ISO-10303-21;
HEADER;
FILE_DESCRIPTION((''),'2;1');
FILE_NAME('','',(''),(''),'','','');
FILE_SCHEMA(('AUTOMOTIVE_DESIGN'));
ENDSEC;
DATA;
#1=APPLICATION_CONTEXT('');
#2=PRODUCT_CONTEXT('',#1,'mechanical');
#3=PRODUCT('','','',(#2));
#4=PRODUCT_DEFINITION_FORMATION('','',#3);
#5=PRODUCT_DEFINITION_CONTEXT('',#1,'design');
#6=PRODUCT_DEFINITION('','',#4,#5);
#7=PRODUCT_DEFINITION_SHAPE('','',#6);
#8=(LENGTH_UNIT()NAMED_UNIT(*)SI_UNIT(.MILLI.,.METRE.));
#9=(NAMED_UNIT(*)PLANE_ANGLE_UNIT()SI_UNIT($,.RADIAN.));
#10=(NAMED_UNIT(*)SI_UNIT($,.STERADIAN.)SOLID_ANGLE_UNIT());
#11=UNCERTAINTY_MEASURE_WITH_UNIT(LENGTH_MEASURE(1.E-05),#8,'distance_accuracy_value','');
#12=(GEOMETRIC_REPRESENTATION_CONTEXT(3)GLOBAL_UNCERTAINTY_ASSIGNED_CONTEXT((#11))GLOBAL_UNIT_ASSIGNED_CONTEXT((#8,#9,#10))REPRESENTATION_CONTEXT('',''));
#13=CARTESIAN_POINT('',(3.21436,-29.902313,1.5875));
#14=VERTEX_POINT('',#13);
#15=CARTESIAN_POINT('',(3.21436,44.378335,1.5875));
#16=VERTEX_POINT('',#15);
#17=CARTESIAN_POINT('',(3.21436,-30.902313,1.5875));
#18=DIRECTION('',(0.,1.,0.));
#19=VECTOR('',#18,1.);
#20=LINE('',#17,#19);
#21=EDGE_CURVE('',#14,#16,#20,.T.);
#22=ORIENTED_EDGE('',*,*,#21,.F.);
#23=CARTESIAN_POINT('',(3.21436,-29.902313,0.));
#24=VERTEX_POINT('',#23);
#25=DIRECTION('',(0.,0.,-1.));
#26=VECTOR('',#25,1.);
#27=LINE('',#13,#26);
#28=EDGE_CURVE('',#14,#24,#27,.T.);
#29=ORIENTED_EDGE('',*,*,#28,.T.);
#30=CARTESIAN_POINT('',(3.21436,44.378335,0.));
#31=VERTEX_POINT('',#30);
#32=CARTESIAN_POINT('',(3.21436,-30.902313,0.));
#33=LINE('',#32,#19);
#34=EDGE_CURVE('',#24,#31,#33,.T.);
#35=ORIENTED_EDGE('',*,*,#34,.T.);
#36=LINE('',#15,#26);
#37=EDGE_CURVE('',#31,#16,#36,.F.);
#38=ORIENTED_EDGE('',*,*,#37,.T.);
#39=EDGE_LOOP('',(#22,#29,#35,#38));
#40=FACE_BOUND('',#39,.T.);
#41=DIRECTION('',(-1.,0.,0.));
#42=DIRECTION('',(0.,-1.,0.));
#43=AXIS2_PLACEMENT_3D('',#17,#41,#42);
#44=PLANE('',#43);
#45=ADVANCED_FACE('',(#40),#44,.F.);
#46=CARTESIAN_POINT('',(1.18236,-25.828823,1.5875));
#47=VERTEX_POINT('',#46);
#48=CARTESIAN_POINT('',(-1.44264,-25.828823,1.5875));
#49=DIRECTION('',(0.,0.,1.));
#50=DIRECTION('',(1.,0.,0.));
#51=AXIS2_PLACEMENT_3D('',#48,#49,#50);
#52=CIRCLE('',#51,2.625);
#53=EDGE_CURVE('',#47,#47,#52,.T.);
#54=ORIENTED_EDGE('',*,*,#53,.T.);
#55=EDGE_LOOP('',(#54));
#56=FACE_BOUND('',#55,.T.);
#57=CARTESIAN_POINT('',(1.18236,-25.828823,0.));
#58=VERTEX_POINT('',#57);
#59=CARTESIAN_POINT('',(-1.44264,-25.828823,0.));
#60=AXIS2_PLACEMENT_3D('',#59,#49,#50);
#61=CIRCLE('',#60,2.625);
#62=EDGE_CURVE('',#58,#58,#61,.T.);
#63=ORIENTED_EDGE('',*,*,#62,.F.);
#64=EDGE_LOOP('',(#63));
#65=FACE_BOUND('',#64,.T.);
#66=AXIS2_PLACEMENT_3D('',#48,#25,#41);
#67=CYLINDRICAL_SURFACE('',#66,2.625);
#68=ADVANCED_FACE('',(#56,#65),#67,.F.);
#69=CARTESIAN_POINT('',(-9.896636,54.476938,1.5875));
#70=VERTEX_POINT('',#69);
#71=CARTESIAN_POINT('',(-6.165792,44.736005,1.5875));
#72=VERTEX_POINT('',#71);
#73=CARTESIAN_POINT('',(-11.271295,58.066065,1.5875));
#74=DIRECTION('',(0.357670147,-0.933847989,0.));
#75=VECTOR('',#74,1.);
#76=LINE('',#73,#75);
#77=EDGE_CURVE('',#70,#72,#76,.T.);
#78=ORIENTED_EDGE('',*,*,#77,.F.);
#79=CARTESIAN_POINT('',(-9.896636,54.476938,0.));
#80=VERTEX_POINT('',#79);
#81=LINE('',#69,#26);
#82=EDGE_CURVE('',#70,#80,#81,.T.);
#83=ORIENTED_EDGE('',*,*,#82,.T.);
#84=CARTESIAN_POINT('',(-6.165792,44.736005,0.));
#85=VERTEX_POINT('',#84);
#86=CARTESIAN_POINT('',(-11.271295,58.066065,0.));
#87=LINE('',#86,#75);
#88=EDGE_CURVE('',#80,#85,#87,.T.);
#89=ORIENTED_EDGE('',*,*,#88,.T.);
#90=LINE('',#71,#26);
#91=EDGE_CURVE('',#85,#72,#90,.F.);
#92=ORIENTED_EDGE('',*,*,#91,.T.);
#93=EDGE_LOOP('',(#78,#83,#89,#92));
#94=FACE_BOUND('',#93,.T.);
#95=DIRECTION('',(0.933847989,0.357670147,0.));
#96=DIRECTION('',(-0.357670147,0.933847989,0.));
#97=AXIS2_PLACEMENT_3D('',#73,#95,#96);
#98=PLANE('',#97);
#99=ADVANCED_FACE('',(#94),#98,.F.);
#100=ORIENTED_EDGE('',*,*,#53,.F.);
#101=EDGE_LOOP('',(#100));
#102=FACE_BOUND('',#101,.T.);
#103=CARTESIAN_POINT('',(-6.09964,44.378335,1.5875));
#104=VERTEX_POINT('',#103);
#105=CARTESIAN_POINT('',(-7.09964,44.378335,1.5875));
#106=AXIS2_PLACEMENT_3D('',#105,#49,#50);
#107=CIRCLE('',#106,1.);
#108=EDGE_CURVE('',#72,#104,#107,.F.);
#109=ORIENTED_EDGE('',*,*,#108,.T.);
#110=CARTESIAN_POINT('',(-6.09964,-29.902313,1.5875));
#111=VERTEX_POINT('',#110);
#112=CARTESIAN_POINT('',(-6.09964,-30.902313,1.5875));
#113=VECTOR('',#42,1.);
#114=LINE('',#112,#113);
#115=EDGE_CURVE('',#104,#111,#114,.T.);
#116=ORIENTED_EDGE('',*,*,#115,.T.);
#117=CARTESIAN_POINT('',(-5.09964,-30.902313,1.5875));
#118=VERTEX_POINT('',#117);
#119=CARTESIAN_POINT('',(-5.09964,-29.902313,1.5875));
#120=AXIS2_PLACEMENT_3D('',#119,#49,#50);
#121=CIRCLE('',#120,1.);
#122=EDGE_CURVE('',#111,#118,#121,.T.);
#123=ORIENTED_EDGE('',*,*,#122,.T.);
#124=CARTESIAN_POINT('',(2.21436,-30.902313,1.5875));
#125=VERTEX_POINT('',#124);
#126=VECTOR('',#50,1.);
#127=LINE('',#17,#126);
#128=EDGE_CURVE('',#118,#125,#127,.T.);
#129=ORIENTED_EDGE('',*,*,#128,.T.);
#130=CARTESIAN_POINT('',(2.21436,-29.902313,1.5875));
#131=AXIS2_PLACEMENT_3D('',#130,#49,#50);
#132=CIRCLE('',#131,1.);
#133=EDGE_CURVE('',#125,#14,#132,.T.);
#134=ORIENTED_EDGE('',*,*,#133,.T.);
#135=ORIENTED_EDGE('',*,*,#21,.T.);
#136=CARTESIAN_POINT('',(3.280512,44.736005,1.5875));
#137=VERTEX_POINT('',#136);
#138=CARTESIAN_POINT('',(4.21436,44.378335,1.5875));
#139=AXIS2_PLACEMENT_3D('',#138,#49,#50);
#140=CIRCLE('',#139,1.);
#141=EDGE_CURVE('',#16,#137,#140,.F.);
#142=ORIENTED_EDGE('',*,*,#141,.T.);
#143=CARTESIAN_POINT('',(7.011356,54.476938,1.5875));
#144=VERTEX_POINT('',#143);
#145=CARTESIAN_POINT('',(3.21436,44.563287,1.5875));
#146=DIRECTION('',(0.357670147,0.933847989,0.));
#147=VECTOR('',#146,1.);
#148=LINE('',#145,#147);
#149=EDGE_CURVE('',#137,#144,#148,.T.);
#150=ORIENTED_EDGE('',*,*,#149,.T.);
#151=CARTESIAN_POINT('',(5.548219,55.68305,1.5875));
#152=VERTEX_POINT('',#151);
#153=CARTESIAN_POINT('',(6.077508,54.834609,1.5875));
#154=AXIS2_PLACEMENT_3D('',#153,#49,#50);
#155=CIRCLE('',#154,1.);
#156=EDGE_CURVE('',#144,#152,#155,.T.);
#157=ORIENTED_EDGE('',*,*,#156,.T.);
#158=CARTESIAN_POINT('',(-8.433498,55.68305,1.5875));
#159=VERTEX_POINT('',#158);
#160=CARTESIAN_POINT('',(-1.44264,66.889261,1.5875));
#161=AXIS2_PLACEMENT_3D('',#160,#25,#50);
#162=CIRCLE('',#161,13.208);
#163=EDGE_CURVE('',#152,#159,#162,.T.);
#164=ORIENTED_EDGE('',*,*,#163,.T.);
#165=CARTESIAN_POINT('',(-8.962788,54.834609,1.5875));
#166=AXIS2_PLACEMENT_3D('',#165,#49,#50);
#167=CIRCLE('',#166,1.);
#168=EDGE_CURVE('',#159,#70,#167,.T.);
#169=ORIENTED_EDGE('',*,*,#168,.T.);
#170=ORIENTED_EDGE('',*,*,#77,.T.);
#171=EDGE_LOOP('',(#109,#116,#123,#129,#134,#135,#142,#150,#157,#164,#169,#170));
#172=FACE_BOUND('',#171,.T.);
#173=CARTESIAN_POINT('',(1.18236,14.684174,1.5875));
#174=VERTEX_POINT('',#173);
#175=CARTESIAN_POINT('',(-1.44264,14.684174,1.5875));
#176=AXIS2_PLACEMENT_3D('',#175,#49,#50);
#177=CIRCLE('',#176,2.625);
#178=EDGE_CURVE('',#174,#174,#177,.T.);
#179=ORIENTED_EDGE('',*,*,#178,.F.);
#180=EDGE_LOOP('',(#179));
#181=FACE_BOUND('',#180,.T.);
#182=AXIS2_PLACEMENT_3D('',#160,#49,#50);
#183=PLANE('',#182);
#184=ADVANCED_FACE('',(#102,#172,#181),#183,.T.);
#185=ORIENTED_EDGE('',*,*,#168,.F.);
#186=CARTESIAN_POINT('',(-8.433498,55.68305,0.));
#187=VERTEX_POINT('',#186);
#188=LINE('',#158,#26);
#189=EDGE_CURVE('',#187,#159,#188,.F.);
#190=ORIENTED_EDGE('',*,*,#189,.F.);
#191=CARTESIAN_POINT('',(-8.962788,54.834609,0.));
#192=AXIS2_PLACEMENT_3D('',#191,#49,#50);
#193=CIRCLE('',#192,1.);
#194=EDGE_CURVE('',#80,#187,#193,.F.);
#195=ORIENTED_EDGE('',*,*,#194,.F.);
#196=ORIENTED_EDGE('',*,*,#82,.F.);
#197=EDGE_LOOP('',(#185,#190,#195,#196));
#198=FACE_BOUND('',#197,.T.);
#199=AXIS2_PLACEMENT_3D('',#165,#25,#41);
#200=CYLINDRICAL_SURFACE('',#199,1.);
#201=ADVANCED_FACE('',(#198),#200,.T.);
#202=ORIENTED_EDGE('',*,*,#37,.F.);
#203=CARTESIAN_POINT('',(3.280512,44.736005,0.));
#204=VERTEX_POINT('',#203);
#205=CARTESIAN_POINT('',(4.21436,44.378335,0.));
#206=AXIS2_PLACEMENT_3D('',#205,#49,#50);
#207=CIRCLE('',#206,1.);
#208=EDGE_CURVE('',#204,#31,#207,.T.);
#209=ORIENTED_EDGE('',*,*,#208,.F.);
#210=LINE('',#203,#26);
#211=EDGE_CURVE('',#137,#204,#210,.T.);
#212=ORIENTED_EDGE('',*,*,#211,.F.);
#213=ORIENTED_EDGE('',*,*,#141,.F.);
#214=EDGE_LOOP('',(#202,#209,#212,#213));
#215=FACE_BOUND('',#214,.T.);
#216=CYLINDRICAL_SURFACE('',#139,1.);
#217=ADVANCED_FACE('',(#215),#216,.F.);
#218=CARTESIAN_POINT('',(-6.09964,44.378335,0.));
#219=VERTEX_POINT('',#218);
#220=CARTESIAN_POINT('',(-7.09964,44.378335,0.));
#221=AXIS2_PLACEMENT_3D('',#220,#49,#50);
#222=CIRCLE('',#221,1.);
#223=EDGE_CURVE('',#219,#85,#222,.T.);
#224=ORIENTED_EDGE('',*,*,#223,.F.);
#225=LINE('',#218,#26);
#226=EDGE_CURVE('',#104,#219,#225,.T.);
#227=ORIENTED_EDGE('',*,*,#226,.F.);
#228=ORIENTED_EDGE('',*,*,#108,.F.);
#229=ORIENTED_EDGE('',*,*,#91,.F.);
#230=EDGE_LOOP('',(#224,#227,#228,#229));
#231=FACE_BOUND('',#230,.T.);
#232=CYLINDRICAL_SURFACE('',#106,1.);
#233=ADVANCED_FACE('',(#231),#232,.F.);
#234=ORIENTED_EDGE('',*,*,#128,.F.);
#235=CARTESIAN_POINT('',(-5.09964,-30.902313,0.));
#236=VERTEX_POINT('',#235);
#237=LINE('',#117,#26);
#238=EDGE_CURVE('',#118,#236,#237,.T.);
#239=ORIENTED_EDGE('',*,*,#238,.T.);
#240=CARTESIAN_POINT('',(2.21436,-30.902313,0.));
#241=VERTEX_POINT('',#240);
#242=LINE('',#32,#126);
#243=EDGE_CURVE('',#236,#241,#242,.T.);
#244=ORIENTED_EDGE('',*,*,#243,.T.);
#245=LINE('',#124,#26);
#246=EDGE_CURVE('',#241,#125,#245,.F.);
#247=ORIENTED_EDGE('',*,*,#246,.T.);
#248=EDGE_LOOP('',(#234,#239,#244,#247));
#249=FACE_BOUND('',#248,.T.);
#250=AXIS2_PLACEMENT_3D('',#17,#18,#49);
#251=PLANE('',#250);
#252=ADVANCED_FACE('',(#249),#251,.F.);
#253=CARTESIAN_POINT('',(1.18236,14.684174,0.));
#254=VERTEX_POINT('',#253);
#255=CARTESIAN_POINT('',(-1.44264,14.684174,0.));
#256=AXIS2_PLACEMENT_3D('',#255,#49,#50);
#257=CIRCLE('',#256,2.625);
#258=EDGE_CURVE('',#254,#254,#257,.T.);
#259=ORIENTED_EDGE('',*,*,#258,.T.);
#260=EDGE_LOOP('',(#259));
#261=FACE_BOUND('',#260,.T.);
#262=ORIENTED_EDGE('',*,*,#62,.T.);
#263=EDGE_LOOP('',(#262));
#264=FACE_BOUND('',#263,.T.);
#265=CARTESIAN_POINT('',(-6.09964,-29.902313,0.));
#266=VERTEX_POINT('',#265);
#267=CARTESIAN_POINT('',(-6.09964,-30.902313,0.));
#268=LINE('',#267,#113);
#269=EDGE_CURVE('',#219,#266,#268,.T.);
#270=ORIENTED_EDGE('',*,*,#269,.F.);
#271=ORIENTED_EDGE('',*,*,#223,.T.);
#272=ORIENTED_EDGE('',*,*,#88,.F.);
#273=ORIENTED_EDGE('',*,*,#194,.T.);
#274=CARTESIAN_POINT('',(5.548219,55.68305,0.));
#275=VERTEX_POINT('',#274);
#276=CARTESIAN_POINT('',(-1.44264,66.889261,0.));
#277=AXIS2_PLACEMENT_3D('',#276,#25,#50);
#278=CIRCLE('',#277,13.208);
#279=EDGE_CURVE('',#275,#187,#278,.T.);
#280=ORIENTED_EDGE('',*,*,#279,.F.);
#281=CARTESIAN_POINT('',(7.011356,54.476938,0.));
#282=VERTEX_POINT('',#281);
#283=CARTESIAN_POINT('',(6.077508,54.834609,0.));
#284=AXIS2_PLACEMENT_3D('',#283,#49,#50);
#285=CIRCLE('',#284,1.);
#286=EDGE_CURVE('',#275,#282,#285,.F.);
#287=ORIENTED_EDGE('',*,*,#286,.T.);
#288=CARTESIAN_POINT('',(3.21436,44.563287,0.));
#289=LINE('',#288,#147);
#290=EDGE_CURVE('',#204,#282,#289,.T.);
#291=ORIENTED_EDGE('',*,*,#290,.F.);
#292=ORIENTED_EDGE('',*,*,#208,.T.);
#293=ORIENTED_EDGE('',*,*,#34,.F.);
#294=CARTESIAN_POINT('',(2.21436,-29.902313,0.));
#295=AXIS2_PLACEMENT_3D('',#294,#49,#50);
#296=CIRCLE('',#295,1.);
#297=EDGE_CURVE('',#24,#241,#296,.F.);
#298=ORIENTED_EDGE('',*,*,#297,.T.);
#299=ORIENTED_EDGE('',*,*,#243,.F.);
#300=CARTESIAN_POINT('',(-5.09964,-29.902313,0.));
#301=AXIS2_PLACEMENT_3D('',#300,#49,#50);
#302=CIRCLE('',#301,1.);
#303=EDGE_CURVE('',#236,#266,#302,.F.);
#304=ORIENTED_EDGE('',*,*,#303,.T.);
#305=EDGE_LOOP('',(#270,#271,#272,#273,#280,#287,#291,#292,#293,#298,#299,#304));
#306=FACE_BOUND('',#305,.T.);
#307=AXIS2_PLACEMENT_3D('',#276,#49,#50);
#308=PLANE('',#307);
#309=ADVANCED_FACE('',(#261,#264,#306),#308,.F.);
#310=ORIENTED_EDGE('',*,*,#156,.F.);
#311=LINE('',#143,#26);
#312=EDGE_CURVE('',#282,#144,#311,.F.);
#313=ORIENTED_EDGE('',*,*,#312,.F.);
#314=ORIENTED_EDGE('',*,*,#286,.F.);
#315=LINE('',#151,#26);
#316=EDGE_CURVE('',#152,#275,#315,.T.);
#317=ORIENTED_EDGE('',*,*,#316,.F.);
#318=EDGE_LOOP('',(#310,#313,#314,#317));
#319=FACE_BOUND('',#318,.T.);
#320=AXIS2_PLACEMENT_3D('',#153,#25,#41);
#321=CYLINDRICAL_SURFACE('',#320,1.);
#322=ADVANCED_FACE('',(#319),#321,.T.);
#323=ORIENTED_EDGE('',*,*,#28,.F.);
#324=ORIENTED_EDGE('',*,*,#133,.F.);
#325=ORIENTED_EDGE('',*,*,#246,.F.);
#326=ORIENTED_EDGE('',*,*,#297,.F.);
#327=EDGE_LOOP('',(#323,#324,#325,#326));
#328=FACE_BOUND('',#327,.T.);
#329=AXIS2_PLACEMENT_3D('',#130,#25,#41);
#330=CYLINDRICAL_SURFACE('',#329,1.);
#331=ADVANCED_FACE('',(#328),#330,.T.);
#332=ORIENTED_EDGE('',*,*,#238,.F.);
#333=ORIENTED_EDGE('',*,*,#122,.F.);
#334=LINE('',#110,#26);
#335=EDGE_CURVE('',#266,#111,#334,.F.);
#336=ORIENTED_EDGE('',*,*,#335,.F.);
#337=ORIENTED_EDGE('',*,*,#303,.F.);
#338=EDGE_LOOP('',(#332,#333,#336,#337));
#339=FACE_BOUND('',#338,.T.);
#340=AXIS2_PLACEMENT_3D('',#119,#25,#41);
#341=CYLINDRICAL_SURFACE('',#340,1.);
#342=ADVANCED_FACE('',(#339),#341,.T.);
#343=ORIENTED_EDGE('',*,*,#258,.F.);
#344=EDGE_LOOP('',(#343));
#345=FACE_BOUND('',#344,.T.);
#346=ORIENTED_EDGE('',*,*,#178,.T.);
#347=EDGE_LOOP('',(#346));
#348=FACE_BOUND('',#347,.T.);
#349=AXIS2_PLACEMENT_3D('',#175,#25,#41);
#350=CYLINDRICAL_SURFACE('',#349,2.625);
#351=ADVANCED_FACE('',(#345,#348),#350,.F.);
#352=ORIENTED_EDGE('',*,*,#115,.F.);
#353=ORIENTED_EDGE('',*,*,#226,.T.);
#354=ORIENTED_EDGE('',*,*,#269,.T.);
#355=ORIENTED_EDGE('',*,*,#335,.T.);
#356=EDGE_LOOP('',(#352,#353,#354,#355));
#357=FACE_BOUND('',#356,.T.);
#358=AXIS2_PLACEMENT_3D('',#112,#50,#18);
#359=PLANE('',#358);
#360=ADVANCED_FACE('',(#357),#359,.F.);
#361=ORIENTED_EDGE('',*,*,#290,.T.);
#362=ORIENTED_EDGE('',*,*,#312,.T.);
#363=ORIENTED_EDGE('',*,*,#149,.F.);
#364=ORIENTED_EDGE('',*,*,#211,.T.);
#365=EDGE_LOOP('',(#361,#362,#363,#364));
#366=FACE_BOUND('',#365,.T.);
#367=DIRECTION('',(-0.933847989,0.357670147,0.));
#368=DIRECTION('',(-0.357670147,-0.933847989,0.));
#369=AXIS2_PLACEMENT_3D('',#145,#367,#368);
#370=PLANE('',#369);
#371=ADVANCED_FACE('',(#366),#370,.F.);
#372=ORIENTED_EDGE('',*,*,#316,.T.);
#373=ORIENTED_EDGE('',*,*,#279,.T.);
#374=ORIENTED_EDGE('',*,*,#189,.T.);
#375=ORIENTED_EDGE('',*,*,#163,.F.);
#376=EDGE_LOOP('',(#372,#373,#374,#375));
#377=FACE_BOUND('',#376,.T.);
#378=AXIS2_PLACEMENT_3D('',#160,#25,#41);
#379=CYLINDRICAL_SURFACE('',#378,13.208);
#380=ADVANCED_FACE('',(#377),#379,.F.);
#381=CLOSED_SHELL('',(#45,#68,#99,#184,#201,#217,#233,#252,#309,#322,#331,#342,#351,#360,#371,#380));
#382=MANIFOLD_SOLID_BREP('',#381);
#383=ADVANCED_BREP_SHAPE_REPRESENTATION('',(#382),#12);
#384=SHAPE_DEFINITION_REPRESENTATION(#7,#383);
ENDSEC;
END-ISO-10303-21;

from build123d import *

# Parameters (mm, degrees)
SKETCH1_R           = 2.625
BOSS_EXTRUDE1_DEPTH = 1.5875
FILLET1_R           = 1


with BuildPart() as part:
    # Sketch1 → Boss-Extrude1 (new body)
    with BuildSketch(Plane.XY):
        with BuildLine():
            Line((-11.271295364, 58.066064539), (-6.099639673, 44.56328746))
            Line((-6.099639673, 44.56328746), (-6.099639673, -30.902312688))
            Line((-6.099639673, -30.902312688), (3.214360327, -30.902312688))
            Line((3.214360327, -30.902312688), (3.214360327, 44.56328746))
            Line((3.214360327, 44.56328746), (8.386016017, 58.066064539))
            ThreePointArc((8.386016017, 58.066064539), (-1.442639673, 53.681260746), (-11.271295364, 58.066064539))
        make_face()
        with Locations((-1.442639673, 14.68417415)):
            Circle(SKETCH1_R, mode=Mode.SUBTRACT)
        with Locations((-1.442639673, -25.828822829)):
            Circle(SKETCH1_R, mode=Mode.SUBTRACT)
    extrude(amount=BOSS_EXTRUDE1_DEPTH)

    # Fillet1
    fillet1_edges = [part.edges().sort_by_distance(p)[0] for p in [
        (3.214360327, -30.902312688, 0.79375),
        (-6.099639673, -30.902312688, 0.79375),
        (-6.099639673, 44.56328746, 0.79375),
        (-11.271295364, 58.066064539, 0.79375),
        (8.386016017, 58.066064539, 0.79375),
        (3.214360327, 44.56328746, 0.79375),
    ]]
    fillet(fillet1_edges, radius=FILLET1_R)


solid = part.part
